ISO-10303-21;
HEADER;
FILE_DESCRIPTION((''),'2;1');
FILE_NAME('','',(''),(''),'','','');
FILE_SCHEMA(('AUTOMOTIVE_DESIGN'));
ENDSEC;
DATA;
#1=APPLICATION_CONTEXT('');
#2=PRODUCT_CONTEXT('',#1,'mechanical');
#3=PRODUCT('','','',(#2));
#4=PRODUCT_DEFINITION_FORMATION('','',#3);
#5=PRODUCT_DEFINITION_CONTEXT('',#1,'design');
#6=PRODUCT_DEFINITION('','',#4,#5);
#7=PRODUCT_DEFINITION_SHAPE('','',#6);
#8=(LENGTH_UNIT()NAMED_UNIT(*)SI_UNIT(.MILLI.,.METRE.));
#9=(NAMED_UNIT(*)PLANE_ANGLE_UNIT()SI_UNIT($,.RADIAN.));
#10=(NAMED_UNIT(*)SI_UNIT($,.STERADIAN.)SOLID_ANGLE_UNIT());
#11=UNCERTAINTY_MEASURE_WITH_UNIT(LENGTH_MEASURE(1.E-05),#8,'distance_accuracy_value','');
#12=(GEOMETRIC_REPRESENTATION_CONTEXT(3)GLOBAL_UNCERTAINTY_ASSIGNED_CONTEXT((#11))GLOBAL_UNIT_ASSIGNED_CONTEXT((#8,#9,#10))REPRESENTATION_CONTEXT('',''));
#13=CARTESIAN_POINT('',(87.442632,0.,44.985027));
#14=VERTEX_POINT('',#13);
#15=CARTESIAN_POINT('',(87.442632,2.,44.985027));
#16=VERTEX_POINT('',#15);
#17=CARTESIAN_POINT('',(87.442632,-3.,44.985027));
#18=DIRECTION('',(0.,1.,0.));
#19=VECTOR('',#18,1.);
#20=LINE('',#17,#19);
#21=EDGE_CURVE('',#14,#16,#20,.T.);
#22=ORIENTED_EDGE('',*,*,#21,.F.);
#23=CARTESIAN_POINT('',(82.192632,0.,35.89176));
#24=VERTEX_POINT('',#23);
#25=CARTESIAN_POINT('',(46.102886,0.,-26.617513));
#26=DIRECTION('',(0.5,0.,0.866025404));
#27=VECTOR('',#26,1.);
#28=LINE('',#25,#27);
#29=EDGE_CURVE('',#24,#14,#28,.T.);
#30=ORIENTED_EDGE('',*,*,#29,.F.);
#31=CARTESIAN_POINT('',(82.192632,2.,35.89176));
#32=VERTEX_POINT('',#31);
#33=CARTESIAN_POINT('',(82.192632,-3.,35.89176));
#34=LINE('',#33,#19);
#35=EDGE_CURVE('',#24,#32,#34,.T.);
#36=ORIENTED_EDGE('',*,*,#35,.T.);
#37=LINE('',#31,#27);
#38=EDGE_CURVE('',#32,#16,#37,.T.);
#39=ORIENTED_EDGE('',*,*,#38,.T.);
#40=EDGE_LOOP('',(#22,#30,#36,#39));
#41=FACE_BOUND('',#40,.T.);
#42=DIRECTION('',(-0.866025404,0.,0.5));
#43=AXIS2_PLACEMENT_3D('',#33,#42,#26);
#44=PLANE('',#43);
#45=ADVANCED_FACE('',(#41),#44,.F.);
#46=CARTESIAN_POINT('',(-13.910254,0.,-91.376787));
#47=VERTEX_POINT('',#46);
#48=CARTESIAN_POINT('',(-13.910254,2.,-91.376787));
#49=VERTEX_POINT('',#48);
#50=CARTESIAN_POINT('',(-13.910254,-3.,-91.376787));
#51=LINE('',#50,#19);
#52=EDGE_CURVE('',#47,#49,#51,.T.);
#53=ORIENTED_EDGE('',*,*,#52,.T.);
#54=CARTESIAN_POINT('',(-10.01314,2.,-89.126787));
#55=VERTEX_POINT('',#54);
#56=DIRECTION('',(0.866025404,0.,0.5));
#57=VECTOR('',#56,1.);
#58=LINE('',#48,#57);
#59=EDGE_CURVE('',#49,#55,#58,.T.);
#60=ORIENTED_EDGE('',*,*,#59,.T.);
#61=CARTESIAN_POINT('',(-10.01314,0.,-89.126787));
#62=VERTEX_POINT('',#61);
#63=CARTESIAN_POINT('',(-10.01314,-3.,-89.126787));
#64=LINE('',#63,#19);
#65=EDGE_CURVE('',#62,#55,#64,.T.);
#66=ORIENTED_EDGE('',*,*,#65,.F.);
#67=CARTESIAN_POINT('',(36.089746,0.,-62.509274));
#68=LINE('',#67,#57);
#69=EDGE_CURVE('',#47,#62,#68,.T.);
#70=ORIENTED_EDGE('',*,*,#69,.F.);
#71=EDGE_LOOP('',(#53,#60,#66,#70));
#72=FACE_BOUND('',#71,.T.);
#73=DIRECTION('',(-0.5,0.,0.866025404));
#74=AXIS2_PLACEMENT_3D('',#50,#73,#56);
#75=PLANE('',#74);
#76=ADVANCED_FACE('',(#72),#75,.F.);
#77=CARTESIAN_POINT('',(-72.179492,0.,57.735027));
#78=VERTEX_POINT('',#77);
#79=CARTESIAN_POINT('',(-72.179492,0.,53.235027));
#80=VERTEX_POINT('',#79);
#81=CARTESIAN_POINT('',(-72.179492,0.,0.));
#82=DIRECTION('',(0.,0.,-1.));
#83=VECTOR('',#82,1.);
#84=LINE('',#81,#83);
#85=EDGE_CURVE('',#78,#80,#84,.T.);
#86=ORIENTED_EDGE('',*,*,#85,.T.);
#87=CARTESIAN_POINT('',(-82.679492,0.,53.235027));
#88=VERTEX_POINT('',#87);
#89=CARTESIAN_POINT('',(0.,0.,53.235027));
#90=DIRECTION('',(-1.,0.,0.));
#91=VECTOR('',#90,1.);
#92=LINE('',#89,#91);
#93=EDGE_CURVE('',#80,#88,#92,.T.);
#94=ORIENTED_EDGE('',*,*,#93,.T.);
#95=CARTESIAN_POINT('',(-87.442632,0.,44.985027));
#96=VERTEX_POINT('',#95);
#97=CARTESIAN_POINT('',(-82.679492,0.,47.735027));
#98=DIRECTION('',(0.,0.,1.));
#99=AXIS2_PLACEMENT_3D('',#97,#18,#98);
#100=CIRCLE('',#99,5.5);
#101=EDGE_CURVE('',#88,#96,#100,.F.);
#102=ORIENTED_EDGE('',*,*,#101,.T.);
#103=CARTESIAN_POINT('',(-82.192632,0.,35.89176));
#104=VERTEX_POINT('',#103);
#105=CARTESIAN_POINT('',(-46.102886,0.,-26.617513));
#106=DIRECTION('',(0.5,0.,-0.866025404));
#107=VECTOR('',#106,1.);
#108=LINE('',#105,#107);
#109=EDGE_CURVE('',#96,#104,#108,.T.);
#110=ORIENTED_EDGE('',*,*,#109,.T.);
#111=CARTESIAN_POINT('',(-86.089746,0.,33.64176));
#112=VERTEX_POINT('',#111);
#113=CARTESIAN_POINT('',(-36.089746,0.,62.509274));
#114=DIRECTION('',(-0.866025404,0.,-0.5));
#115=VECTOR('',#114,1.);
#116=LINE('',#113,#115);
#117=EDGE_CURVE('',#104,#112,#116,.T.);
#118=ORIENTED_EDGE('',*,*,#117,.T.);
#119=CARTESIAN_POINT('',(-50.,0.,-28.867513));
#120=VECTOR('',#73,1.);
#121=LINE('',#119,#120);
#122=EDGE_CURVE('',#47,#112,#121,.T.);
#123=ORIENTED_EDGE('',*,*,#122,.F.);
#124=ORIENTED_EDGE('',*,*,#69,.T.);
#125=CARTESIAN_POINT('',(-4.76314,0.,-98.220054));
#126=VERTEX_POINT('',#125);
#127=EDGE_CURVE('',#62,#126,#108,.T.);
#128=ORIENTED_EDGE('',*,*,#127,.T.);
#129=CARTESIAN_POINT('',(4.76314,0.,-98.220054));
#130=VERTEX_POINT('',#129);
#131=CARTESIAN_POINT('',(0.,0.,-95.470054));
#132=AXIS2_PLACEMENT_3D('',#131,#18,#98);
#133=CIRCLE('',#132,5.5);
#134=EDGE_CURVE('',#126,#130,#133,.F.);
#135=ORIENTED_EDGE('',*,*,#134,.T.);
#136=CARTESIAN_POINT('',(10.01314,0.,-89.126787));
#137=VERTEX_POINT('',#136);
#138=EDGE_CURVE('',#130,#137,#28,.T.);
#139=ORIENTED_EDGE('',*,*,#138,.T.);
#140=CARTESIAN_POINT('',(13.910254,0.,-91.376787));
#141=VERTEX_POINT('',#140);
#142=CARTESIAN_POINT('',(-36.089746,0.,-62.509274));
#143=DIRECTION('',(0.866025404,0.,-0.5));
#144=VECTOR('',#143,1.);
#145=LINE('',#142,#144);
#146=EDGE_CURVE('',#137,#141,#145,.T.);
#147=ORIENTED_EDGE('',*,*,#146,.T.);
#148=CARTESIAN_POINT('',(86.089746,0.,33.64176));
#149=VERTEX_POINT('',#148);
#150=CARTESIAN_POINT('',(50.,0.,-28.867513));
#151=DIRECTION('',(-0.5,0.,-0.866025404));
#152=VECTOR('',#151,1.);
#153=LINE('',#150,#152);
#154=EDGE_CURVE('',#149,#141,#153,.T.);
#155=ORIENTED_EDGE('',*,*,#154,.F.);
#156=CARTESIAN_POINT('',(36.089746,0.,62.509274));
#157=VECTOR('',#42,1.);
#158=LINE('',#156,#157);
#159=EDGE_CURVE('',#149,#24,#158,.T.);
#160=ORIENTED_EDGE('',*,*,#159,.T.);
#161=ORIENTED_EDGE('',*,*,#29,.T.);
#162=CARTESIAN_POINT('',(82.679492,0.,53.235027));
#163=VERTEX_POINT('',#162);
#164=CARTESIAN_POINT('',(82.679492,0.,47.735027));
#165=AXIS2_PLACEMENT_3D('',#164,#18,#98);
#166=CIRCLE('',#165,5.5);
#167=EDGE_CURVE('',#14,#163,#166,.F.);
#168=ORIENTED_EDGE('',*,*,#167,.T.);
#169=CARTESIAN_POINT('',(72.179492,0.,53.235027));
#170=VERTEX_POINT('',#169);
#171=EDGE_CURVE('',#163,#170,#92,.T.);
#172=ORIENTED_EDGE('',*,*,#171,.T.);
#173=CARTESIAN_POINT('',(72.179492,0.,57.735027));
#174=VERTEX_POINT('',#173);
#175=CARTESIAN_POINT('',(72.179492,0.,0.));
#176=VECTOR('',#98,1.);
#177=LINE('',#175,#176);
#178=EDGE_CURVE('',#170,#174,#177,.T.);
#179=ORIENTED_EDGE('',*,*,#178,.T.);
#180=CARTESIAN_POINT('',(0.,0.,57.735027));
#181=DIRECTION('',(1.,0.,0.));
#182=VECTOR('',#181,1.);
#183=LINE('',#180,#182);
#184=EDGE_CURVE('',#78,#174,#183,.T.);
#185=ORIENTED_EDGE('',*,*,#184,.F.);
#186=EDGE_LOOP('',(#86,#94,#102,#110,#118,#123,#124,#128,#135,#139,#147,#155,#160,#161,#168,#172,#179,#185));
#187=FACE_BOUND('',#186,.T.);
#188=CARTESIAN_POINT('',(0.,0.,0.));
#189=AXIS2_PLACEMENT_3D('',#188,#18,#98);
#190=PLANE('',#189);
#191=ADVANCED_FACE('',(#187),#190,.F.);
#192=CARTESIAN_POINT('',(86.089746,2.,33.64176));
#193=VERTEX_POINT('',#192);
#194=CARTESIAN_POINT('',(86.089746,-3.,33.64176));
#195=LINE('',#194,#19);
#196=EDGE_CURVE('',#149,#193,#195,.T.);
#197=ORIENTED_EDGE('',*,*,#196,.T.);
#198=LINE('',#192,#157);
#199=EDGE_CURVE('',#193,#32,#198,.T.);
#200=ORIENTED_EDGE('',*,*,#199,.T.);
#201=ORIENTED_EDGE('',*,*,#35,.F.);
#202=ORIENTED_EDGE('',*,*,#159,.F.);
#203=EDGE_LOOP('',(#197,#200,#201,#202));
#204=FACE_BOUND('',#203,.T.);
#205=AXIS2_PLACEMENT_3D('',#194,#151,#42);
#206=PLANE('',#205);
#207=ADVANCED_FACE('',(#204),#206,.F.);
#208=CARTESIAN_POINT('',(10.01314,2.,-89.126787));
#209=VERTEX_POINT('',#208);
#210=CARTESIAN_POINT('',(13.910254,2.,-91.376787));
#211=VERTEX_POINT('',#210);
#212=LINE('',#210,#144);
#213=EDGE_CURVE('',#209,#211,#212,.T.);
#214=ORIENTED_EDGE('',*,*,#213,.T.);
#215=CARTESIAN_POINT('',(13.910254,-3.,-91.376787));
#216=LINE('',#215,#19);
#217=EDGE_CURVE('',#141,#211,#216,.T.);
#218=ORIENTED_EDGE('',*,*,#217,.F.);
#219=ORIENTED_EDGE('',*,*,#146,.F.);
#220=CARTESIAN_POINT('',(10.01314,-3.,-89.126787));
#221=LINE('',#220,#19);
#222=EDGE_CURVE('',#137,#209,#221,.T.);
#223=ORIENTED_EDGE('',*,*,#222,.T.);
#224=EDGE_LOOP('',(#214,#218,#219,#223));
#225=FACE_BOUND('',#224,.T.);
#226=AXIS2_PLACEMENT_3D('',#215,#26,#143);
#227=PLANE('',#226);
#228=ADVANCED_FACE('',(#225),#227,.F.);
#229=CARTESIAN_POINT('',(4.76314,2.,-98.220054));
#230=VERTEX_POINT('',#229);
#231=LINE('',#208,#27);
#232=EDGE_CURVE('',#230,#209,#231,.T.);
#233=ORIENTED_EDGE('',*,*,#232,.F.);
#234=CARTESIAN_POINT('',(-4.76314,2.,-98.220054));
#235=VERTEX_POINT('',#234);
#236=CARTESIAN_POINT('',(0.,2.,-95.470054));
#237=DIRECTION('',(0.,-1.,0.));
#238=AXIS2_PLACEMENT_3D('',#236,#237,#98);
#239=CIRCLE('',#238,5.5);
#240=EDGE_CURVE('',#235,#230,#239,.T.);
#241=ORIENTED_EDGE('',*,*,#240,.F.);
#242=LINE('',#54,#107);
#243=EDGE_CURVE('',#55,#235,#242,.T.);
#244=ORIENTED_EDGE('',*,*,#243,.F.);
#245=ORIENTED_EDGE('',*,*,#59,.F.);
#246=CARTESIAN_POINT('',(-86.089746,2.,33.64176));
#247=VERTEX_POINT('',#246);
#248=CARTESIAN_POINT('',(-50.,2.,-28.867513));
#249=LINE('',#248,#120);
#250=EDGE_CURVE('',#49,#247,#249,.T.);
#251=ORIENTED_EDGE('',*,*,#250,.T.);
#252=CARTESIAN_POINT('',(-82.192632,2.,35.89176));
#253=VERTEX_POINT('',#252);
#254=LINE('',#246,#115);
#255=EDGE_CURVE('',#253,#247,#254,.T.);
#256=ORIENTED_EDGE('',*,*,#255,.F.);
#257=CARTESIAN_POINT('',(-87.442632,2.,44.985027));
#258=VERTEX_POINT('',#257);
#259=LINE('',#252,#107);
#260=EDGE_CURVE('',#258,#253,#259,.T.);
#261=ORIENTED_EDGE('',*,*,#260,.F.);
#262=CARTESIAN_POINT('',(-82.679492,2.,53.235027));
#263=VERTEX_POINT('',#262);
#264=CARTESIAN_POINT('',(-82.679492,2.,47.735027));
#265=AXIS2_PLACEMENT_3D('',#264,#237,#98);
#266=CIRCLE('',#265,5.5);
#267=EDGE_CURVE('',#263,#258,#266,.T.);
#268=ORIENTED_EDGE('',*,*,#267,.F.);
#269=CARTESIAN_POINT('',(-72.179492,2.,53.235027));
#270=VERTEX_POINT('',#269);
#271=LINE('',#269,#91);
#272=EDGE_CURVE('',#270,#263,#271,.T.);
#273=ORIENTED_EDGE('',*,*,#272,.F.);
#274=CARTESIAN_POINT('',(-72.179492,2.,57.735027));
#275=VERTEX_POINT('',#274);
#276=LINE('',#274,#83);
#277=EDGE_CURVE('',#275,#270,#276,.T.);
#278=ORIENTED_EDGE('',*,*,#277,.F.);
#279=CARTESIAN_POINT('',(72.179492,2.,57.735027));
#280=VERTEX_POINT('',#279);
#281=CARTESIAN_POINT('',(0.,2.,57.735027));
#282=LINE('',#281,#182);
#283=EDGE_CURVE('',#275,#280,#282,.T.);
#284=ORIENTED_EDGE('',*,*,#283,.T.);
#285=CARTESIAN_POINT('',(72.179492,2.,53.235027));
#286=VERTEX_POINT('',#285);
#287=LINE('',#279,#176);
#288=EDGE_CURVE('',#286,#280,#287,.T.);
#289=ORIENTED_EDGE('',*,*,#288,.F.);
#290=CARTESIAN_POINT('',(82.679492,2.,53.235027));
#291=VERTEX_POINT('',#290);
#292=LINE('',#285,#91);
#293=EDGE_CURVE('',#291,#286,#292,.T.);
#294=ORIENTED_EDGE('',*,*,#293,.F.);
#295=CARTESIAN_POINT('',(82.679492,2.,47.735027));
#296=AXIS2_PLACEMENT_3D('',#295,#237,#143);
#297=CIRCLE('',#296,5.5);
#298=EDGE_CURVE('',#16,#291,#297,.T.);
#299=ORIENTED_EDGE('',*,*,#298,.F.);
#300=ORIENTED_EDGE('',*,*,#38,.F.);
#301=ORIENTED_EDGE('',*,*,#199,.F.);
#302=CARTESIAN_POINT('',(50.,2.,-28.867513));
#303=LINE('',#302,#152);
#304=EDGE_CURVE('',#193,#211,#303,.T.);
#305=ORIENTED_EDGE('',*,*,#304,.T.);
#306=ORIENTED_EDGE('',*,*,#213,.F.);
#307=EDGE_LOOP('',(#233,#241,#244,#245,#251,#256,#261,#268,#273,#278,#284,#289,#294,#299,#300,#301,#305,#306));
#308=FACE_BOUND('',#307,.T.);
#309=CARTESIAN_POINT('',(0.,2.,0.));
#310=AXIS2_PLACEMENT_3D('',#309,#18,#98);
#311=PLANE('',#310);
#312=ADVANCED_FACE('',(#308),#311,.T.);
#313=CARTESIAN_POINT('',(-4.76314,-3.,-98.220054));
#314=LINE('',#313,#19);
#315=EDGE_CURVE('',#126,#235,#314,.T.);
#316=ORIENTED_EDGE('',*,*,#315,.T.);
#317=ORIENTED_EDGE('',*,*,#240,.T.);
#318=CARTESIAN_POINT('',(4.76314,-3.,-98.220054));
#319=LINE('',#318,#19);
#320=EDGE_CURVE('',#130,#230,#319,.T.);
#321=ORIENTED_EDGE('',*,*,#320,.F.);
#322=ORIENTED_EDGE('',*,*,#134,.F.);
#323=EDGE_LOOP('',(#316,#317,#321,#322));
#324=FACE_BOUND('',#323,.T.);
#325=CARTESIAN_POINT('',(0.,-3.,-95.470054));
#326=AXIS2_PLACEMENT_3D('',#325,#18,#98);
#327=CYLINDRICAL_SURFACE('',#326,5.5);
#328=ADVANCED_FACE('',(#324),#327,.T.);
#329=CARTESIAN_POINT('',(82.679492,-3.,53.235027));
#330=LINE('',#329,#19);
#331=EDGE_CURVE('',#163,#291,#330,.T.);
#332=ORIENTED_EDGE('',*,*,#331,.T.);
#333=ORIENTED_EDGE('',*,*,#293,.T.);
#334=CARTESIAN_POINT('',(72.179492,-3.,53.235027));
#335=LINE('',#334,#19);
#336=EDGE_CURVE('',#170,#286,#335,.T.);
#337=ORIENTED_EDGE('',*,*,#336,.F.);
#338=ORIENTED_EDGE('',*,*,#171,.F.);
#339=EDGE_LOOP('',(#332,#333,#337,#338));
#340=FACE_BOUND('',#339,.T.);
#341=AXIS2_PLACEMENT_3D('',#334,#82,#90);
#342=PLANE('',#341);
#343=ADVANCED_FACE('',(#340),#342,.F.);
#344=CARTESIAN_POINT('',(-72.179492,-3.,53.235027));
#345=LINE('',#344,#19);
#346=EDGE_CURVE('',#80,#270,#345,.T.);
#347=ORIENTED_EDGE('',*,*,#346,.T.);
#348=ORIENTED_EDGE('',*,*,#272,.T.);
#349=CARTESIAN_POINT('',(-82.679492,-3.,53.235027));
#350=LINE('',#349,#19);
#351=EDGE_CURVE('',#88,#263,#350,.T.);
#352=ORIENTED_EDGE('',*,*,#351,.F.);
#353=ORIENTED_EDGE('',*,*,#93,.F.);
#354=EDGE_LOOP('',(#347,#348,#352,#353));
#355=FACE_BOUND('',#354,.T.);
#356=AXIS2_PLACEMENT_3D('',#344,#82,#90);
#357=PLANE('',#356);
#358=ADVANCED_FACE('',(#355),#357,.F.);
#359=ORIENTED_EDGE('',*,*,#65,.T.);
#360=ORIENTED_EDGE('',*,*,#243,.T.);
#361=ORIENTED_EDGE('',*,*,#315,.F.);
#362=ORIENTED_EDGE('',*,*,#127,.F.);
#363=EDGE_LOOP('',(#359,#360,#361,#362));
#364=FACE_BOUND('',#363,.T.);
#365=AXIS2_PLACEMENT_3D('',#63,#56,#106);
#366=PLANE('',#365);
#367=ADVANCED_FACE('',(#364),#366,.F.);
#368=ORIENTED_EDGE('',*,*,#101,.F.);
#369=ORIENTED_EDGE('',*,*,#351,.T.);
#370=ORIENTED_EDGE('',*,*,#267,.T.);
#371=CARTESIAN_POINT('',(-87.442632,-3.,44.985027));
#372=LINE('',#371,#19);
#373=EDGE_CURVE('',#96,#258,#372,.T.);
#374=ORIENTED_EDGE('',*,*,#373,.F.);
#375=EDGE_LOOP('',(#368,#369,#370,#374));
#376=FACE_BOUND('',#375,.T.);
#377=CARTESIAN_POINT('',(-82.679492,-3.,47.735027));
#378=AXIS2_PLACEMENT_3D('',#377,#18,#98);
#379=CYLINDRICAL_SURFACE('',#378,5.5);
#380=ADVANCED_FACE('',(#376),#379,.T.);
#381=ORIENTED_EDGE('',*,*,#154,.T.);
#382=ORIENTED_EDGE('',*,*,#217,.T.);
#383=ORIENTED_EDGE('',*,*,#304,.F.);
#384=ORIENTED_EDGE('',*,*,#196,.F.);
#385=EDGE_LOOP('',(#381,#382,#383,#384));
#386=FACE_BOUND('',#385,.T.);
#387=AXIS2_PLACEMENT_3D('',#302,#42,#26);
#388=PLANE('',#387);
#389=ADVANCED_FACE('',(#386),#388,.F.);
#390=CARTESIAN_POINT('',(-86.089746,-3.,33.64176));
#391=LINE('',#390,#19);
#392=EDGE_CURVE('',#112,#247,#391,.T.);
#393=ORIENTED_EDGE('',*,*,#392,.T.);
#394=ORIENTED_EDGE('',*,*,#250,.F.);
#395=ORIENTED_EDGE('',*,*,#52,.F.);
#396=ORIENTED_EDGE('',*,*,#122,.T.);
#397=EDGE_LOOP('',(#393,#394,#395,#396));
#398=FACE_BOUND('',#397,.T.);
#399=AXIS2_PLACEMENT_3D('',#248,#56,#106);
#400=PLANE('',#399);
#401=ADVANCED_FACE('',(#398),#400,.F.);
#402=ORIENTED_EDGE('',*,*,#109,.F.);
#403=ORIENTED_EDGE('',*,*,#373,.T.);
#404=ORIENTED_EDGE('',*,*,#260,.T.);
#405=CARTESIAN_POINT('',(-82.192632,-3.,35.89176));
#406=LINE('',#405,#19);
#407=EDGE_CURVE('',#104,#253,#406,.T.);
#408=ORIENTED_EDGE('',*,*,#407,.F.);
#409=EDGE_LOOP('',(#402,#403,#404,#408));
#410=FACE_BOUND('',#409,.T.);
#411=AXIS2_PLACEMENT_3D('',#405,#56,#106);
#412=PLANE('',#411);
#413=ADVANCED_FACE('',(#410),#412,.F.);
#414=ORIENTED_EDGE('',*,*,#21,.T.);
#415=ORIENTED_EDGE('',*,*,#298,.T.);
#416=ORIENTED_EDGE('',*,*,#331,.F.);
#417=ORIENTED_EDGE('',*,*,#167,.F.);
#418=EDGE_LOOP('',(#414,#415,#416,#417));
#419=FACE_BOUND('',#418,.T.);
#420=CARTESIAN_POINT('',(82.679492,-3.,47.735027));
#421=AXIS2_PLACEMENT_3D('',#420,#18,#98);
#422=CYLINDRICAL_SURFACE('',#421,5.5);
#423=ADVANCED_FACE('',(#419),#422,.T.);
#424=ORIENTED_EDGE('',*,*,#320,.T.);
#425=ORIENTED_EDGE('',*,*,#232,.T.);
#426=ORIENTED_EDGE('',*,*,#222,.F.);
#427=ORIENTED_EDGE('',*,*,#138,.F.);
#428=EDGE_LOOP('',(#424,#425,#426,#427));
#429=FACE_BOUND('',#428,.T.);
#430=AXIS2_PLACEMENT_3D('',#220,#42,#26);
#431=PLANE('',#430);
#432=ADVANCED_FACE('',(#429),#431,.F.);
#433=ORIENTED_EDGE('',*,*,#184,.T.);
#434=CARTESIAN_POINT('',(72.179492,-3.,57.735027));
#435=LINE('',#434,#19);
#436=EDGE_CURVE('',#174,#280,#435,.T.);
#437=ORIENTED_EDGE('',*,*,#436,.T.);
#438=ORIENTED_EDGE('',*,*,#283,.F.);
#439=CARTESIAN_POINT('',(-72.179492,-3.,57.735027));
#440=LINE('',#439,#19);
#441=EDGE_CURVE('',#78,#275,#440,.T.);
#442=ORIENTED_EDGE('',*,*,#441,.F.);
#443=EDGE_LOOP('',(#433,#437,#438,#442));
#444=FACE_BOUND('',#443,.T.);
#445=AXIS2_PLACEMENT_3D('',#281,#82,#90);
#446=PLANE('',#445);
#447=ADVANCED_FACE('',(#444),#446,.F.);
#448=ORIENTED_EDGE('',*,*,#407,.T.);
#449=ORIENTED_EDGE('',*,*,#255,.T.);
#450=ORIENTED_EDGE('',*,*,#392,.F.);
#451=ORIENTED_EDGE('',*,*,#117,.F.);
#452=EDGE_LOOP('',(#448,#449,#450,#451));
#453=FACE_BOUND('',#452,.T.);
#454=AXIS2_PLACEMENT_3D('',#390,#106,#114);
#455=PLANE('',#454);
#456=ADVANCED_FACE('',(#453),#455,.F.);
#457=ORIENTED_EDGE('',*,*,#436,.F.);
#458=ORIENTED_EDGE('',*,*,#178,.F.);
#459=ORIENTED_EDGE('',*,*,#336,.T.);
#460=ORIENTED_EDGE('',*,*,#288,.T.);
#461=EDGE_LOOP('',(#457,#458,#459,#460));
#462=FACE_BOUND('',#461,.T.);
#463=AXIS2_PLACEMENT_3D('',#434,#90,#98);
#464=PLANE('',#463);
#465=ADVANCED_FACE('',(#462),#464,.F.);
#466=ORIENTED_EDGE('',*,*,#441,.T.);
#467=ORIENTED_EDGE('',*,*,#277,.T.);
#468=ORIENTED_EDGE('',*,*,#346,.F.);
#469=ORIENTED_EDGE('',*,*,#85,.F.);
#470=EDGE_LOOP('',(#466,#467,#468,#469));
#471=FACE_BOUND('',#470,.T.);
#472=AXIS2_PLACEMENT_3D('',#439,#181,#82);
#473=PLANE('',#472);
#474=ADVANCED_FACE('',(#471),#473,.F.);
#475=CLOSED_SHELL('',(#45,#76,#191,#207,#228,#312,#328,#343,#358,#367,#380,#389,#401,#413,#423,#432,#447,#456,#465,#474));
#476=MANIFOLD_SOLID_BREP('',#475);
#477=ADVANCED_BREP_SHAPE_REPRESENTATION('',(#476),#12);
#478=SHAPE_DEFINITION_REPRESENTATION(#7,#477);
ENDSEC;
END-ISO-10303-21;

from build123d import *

# Parameters (mm, degrees)
BOSS_EXTRUDE2_DEPTH = 2
CUT_EXTRUDE1_START  = -5
CUT_EXTRUDE1_DEPTH  = 5
CIRPATTERN1_COUNT   = 3


with BuildPart() as part:
    # Sketch2 → Boss-Extrude2 (new body)
    with BuildSketch(Plane(origin=(0, 0, 0), x_dir=(1, 0, 0), z_dir=(0, 1, 0))):
        with BuildLine():
            ThreePointArc((8.660254038, 100.470053838), (0, 105.470053838), (-8.660254038, 100.470053838))
            Line((-8.660254038, 100.470053838), (-91.339745962, -42.735026919))
            ThreePointArc((-91.339745962, -42.735026919), (-91.339745962, -52.735026919), (-82.679491924, -57.735026919))
            Line((-82.679491924, -57.735026919), (82.679491924, -57.735026919))
            ThreePointArc((82.679491924, -57.735026919), (91.339745962, -52.735026919), (91.339745962, -42.735026919))
            Line((91.339745962, -42.735026919), (8.660254038, 100.470053838))
        make_face()
    extrude(amount=BOSS_EXTRUDE2_DEPTH)

    # Sketch6 → Cut-Extrude1 (cut)
    with BuildSketch(Plane(origin=(0, 2, 0), x_dir=(1, 0, 0), z_dir=(0, 1, 0)).offset(CUT_EXTRUDE1_START)):
        with BuildLine():
            Line((-8.660254038, 100.470053838), (-13.660254038, 91.8097998))
            Line((-13.660254038, 91.8097998), (-13.910254038, 91.376787098))
            Line((-13.910254038, 91.376787098), (-10.013139721, 89.126787098))
            Line((-10.013139721, 89.126787098), (-4.763139721, 98.220053838))
            ThreePointArc((-4.763139721, 98.220053838), (-2.75, 100.233193559), (0, 100.970053838))
            Line((0, 100.970053838), (0, 101.470053838))
            Line((0, 101.470053838), (0, 105.470053838))
            ThreePointArc((0, 105.470053838), (-5, 104.130307876), (-8.660254038, 100.470053838))
        make_face()
        with BuildLine():
            Line((-91.339745962, -42.735026919), (-86.339745962, -34.074772881))
            Line((-86.339745962, -34.074772881), (-86.089745962, -33.641760179))
            Line((-86.089745962, -33.641760179), (-82.192631645, -35.891760179))
            Line((-82.192631645, -35.891760179), (-87.442631645, -44.985026919))
            ThreePointArc((-87.442631645, -44.985026919), (-88.173795368, -47.985286122), (-87.172908415, -50.906652408))
            Line((-87.172908415, -50.906652408), (-91.089745962, -53.168039621))
            Line((-91.089745962, -53.168039621), (-91.339745962, -52.735026919))
            ThreePointArc((-91.339745962, -52.735026919), (-92.679491924, -47.735026919), (-91.339745962, -42.735026919))
        make_face()
    cut_extrude1 = extrude(amount=CUT_EXTRUDE1_DEPTH, mode=Mode.SUBTRACT)

    # CirPattern1: Cut-Extrude1 ×3 about axis
    cirpattern1_axis = Axis((0, 0, 0), (0, 1, 0))
    for i in range(1, CIRPATTERN1_COUNT):
        add(cut_extrude1.rotate(cirpattern1_axis, i * 360 / CIRPATTERN1_COUNT), mode=Mode.SUBTRACT)


solid = part.part
